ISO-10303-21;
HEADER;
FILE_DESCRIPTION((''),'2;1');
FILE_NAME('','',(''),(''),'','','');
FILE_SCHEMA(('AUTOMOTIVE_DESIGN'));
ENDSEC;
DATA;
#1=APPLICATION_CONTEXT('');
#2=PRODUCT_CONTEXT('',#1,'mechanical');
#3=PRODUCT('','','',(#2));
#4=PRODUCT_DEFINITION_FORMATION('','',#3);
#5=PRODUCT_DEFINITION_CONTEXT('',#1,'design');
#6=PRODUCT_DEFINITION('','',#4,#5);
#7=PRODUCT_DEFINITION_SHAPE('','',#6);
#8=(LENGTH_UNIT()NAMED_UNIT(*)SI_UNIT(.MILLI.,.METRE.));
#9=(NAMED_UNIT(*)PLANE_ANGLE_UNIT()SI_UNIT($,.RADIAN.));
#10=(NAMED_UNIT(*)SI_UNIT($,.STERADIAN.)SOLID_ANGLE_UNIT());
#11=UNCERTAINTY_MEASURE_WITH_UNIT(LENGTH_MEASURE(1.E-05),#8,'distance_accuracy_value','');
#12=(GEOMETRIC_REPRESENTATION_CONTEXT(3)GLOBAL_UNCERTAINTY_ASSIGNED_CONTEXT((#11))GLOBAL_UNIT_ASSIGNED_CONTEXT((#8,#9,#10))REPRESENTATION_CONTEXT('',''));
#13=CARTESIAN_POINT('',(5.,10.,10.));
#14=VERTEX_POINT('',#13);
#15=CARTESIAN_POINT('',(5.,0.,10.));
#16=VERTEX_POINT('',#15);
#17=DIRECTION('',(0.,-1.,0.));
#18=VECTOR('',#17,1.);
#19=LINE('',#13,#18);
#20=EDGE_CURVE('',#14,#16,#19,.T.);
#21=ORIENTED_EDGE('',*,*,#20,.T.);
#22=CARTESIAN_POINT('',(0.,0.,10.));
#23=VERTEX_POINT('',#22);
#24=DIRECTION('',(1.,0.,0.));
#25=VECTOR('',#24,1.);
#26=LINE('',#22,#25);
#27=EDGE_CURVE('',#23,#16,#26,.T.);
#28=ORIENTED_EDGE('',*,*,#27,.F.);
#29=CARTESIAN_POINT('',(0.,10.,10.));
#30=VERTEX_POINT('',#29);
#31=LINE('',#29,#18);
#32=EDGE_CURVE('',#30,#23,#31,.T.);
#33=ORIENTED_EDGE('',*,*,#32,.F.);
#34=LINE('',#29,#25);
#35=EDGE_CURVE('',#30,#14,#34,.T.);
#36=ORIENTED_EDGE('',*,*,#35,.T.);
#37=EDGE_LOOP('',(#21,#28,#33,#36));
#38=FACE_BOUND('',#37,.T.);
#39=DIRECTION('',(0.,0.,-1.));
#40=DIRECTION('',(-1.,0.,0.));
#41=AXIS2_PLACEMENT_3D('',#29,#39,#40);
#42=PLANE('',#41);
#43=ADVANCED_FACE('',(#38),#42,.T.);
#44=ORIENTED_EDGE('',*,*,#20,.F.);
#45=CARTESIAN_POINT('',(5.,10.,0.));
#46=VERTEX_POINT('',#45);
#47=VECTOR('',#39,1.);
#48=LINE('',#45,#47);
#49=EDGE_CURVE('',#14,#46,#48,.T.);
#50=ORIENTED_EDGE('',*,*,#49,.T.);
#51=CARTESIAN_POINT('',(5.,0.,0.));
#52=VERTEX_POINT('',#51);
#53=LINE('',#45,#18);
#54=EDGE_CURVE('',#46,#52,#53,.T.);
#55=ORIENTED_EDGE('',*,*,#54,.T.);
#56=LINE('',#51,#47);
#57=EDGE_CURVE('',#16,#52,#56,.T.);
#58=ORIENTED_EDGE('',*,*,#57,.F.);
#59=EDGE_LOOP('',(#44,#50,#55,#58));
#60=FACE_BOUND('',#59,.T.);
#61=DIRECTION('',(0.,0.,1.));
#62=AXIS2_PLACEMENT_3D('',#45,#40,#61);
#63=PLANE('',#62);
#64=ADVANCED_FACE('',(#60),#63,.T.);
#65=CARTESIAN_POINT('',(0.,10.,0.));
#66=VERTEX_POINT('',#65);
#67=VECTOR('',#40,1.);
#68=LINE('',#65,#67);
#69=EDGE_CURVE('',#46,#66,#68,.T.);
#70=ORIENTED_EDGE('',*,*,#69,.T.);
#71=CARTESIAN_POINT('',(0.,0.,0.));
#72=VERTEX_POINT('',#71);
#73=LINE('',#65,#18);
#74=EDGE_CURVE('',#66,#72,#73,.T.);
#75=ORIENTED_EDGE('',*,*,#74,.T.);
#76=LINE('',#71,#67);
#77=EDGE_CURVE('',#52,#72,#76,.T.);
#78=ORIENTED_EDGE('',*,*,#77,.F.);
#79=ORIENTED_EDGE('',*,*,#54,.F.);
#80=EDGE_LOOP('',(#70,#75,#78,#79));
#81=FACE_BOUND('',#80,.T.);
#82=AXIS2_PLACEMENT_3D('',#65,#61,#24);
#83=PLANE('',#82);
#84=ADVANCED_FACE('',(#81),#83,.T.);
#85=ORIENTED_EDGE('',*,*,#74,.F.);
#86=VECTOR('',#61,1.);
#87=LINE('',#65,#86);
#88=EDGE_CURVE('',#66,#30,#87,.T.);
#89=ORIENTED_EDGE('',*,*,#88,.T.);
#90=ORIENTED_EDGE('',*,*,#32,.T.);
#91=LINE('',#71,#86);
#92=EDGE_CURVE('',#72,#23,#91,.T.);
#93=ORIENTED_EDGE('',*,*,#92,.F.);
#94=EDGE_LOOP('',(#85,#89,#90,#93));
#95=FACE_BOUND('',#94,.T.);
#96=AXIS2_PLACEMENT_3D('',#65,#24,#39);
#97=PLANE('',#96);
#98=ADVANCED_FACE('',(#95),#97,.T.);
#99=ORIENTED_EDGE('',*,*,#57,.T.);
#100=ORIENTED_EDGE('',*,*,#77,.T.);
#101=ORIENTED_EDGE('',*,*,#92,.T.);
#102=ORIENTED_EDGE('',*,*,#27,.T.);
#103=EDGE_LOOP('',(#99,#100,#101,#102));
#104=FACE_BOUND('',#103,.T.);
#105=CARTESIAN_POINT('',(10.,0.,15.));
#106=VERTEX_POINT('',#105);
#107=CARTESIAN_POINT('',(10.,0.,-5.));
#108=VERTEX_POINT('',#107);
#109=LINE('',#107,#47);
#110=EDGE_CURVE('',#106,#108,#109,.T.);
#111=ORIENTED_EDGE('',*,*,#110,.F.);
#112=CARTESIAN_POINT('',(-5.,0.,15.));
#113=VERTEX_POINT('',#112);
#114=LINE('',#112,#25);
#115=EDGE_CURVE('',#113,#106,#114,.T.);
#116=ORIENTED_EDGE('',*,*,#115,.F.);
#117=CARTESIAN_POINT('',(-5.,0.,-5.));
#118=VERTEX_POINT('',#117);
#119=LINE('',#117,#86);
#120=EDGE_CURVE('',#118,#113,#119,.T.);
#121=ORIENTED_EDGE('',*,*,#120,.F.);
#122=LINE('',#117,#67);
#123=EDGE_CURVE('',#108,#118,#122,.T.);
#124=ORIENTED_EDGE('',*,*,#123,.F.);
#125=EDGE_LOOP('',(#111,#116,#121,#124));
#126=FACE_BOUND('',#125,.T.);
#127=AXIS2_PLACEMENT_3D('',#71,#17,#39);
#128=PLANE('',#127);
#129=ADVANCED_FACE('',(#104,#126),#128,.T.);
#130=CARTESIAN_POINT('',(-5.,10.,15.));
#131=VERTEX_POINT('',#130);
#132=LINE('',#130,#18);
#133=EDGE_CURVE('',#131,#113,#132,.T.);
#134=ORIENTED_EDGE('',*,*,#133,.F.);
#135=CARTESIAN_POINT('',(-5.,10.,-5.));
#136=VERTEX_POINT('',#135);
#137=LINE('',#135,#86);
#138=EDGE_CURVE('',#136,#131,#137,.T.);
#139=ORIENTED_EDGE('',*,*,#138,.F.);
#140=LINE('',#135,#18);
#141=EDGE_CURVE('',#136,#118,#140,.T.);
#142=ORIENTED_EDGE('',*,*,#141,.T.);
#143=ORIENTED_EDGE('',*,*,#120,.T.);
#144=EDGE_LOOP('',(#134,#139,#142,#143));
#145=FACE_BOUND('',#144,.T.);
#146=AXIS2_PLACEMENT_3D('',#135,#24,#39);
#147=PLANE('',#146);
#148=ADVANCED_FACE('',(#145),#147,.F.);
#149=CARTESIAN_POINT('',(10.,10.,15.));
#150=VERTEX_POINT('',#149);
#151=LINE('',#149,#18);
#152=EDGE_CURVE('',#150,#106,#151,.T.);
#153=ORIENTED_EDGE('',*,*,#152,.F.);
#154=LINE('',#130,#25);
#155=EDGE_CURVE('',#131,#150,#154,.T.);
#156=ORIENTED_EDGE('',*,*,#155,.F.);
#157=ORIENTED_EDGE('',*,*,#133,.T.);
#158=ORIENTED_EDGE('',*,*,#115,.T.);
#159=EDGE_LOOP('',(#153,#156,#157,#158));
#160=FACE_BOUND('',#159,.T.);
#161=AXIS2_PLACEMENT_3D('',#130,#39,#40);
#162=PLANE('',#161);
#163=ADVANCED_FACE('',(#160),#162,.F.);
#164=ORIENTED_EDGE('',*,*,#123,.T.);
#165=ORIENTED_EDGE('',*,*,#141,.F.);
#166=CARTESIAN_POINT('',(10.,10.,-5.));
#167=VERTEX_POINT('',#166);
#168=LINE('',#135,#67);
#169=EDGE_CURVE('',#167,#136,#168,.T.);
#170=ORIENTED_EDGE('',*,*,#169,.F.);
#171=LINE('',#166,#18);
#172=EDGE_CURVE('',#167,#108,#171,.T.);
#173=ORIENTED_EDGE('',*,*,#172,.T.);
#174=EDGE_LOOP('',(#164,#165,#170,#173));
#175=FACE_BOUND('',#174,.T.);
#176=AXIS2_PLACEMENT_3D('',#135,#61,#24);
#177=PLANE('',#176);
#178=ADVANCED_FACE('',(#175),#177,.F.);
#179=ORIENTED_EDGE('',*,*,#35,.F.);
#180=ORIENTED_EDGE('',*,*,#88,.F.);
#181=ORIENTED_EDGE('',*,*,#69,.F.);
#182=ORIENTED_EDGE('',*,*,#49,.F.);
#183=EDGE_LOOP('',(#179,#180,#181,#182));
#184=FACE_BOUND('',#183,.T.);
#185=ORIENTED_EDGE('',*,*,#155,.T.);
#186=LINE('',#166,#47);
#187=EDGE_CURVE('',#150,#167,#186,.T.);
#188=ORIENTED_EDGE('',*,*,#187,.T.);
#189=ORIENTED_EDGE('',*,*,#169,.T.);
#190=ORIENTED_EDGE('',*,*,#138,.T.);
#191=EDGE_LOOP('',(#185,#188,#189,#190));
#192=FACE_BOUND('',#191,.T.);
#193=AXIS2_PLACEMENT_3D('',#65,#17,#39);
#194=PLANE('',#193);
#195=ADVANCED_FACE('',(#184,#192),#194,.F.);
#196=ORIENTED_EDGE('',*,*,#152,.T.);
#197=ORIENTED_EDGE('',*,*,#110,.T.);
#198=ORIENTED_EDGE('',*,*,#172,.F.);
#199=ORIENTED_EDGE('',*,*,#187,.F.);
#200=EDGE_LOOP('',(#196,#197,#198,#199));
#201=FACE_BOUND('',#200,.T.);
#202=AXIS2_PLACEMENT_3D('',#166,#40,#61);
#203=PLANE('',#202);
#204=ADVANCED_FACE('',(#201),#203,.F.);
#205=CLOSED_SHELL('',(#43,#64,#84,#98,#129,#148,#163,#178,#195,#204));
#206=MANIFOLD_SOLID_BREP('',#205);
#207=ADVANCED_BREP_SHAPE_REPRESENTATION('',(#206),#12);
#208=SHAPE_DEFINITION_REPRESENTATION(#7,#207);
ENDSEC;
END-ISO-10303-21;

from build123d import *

# Parameters (mm, degrees)
SKETCH_1_W      = 15
SKETCH_1_H      = 20
SKETCH_1_W_2    = 5
SKETCH_1_H_2    = 10
EXTRUDE_1_DEPTH = 10


with BuildPart() as part:
    # 草图1 → 凸台-拉伸1 (new body)
    with BuildSketch(Plane(origin=(0, 0, 0), x_dir=(1, 0, 0), z_dir=(0, 1, 0))):
        with Locations((2.5, -5)):
            Rectangle(SKETCH_1_W, SKETCH_1_H)
        with Locations((2.5, -5)):
            Rectangle(SKETCH_1_W_2, SKETCH_1_H_2, mode=Mode.SUBTRACT)
    extrude(amount=EXTRUDE_1_DEPTH)


solid = part.part
